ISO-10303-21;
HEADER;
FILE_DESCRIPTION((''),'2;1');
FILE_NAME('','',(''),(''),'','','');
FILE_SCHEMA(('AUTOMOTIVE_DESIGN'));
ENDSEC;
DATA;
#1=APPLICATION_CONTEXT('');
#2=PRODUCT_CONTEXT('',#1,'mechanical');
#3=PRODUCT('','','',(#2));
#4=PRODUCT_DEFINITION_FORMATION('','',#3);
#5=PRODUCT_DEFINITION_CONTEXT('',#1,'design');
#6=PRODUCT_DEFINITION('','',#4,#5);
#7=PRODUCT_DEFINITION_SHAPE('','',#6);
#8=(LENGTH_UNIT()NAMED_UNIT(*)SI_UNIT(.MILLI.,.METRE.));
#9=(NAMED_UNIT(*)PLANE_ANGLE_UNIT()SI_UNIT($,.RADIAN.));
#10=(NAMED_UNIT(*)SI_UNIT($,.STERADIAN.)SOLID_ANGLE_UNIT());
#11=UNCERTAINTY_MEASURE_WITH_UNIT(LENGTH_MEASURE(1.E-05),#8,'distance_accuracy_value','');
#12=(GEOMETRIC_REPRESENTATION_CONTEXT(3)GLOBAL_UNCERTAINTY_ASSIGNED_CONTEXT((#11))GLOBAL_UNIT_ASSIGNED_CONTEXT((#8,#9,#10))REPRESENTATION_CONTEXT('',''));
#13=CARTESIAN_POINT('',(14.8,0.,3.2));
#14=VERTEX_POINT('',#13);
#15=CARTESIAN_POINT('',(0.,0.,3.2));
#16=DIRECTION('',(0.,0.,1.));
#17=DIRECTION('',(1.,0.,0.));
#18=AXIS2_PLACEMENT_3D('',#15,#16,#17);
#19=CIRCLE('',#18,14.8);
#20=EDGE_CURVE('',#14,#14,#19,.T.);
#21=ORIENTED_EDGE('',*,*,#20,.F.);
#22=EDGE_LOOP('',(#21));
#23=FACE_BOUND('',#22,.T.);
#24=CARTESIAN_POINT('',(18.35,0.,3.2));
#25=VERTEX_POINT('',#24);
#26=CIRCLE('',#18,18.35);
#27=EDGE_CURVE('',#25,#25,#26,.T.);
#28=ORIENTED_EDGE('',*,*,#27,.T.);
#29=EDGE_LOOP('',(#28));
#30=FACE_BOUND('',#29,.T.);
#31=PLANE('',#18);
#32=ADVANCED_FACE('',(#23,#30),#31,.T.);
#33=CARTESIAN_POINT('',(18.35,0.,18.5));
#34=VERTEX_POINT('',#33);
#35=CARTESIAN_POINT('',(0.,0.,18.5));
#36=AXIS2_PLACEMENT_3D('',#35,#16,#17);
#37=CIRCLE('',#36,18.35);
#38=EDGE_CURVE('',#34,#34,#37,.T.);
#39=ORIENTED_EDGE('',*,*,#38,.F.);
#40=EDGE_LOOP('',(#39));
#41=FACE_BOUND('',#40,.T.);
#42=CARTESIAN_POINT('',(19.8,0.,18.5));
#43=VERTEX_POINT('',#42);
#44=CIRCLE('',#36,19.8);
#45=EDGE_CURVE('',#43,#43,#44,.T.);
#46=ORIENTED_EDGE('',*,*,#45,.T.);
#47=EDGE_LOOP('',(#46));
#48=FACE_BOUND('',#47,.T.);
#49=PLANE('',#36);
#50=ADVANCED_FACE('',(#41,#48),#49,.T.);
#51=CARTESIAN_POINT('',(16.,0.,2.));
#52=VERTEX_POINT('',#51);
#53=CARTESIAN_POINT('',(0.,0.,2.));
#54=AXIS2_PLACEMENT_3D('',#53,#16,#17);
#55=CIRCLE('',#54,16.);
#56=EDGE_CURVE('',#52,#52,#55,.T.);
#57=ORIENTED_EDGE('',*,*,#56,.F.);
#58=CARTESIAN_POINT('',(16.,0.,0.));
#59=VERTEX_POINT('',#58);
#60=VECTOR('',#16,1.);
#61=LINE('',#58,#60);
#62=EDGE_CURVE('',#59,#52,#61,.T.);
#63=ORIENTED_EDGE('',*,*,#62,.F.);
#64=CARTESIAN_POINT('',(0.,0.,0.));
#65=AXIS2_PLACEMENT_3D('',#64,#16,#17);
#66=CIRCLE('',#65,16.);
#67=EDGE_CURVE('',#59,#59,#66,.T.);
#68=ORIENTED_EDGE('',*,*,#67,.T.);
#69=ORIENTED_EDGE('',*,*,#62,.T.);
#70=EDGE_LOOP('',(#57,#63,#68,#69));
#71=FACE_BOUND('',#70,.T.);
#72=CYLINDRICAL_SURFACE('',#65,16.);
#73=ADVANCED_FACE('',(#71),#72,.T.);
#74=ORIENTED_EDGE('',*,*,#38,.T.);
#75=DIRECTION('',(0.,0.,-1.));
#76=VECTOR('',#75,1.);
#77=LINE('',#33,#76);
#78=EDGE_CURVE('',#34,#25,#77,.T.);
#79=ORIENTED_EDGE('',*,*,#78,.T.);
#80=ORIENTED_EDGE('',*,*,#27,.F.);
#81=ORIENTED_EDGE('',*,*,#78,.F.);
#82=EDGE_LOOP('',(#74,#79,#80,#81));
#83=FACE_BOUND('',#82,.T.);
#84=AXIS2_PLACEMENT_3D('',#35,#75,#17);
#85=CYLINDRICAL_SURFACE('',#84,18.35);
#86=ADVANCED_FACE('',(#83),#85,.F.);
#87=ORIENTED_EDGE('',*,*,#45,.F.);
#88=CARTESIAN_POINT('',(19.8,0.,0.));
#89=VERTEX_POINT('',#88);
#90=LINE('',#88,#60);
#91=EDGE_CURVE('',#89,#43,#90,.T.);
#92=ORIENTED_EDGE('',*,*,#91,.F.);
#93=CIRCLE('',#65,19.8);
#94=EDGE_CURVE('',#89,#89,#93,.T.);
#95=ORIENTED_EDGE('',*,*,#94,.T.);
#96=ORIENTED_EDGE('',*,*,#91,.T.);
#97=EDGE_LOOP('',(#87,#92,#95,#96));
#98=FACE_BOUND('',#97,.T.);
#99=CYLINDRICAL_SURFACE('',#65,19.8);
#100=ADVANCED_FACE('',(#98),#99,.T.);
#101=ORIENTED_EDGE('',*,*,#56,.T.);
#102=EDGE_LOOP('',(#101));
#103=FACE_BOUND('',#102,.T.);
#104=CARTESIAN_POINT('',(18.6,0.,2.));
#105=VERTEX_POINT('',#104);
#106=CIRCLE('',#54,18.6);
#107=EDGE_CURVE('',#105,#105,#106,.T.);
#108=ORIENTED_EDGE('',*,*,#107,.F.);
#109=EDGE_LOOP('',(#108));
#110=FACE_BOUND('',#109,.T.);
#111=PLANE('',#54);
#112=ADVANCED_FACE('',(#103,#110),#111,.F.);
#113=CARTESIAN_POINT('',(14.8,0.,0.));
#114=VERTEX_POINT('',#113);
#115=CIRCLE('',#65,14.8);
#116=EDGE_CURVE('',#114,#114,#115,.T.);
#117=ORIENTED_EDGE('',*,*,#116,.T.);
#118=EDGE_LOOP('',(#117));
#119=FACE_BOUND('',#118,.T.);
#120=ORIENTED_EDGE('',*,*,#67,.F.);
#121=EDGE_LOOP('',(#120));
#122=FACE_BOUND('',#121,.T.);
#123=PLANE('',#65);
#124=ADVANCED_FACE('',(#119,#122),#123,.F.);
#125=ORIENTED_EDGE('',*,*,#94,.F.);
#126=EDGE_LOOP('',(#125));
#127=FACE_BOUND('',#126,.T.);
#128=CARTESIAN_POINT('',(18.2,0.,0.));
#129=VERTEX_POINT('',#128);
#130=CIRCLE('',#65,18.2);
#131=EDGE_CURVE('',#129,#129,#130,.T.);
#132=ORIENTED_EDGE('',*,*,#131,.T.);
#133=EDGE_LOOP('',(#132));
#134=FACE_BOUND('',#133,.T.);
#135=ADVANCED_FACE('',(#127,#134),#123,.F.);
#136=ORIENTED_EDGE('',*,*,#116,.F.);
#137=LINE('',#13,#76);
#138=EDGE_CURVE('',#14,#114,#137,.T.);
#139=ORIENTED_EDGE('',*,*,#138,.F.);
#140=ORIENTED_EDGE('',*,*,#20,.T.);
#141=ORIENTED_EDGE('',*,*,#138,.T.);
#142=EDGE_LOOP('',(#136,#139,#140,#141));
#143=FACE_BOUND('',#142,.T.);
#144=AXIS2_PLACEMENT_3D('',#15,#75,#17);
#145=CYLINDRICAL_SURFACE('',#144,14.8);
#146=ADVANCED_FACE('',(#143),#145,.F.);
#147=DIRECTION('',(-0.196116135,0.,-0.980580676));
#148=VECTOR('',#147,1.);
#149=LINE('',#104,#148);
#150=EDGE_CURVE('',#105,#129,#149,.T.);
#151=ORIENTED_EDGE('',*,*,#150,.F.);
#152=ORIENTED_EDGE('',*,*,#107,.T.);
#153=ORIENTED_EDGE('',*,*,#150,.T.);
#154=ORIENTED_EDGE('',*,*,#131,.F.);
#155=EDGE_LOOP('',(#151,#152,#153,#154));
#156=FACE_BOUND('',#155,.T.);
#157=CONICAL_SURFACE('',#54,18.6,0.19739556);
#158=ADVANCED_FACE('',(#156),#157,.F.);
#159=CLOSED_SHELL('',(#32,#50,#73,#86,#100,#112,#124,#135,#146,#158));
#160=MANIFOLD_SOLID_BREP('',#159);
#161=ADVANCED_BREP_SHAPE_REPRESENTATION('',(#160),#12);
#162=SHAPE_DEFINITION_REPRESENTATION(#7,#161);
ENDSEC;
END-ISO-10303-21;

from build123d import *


with BuildPart() as part:
    # Sketch → Revolution (revolve)
    with BuildSketch(Plane.XZ):
        Polygon((16, 0), (16, 2), (18.6, 2), (18.2, 0), (19.8, 0), (19.8, 18.5), (18.35, 18.5), (18.35, 3.2), (14.8, 3.2), (14.8, 0), align=None)
    revolve(axis=Axis((0, 0, 0), (0, 0, 1)))


solid = part.part
